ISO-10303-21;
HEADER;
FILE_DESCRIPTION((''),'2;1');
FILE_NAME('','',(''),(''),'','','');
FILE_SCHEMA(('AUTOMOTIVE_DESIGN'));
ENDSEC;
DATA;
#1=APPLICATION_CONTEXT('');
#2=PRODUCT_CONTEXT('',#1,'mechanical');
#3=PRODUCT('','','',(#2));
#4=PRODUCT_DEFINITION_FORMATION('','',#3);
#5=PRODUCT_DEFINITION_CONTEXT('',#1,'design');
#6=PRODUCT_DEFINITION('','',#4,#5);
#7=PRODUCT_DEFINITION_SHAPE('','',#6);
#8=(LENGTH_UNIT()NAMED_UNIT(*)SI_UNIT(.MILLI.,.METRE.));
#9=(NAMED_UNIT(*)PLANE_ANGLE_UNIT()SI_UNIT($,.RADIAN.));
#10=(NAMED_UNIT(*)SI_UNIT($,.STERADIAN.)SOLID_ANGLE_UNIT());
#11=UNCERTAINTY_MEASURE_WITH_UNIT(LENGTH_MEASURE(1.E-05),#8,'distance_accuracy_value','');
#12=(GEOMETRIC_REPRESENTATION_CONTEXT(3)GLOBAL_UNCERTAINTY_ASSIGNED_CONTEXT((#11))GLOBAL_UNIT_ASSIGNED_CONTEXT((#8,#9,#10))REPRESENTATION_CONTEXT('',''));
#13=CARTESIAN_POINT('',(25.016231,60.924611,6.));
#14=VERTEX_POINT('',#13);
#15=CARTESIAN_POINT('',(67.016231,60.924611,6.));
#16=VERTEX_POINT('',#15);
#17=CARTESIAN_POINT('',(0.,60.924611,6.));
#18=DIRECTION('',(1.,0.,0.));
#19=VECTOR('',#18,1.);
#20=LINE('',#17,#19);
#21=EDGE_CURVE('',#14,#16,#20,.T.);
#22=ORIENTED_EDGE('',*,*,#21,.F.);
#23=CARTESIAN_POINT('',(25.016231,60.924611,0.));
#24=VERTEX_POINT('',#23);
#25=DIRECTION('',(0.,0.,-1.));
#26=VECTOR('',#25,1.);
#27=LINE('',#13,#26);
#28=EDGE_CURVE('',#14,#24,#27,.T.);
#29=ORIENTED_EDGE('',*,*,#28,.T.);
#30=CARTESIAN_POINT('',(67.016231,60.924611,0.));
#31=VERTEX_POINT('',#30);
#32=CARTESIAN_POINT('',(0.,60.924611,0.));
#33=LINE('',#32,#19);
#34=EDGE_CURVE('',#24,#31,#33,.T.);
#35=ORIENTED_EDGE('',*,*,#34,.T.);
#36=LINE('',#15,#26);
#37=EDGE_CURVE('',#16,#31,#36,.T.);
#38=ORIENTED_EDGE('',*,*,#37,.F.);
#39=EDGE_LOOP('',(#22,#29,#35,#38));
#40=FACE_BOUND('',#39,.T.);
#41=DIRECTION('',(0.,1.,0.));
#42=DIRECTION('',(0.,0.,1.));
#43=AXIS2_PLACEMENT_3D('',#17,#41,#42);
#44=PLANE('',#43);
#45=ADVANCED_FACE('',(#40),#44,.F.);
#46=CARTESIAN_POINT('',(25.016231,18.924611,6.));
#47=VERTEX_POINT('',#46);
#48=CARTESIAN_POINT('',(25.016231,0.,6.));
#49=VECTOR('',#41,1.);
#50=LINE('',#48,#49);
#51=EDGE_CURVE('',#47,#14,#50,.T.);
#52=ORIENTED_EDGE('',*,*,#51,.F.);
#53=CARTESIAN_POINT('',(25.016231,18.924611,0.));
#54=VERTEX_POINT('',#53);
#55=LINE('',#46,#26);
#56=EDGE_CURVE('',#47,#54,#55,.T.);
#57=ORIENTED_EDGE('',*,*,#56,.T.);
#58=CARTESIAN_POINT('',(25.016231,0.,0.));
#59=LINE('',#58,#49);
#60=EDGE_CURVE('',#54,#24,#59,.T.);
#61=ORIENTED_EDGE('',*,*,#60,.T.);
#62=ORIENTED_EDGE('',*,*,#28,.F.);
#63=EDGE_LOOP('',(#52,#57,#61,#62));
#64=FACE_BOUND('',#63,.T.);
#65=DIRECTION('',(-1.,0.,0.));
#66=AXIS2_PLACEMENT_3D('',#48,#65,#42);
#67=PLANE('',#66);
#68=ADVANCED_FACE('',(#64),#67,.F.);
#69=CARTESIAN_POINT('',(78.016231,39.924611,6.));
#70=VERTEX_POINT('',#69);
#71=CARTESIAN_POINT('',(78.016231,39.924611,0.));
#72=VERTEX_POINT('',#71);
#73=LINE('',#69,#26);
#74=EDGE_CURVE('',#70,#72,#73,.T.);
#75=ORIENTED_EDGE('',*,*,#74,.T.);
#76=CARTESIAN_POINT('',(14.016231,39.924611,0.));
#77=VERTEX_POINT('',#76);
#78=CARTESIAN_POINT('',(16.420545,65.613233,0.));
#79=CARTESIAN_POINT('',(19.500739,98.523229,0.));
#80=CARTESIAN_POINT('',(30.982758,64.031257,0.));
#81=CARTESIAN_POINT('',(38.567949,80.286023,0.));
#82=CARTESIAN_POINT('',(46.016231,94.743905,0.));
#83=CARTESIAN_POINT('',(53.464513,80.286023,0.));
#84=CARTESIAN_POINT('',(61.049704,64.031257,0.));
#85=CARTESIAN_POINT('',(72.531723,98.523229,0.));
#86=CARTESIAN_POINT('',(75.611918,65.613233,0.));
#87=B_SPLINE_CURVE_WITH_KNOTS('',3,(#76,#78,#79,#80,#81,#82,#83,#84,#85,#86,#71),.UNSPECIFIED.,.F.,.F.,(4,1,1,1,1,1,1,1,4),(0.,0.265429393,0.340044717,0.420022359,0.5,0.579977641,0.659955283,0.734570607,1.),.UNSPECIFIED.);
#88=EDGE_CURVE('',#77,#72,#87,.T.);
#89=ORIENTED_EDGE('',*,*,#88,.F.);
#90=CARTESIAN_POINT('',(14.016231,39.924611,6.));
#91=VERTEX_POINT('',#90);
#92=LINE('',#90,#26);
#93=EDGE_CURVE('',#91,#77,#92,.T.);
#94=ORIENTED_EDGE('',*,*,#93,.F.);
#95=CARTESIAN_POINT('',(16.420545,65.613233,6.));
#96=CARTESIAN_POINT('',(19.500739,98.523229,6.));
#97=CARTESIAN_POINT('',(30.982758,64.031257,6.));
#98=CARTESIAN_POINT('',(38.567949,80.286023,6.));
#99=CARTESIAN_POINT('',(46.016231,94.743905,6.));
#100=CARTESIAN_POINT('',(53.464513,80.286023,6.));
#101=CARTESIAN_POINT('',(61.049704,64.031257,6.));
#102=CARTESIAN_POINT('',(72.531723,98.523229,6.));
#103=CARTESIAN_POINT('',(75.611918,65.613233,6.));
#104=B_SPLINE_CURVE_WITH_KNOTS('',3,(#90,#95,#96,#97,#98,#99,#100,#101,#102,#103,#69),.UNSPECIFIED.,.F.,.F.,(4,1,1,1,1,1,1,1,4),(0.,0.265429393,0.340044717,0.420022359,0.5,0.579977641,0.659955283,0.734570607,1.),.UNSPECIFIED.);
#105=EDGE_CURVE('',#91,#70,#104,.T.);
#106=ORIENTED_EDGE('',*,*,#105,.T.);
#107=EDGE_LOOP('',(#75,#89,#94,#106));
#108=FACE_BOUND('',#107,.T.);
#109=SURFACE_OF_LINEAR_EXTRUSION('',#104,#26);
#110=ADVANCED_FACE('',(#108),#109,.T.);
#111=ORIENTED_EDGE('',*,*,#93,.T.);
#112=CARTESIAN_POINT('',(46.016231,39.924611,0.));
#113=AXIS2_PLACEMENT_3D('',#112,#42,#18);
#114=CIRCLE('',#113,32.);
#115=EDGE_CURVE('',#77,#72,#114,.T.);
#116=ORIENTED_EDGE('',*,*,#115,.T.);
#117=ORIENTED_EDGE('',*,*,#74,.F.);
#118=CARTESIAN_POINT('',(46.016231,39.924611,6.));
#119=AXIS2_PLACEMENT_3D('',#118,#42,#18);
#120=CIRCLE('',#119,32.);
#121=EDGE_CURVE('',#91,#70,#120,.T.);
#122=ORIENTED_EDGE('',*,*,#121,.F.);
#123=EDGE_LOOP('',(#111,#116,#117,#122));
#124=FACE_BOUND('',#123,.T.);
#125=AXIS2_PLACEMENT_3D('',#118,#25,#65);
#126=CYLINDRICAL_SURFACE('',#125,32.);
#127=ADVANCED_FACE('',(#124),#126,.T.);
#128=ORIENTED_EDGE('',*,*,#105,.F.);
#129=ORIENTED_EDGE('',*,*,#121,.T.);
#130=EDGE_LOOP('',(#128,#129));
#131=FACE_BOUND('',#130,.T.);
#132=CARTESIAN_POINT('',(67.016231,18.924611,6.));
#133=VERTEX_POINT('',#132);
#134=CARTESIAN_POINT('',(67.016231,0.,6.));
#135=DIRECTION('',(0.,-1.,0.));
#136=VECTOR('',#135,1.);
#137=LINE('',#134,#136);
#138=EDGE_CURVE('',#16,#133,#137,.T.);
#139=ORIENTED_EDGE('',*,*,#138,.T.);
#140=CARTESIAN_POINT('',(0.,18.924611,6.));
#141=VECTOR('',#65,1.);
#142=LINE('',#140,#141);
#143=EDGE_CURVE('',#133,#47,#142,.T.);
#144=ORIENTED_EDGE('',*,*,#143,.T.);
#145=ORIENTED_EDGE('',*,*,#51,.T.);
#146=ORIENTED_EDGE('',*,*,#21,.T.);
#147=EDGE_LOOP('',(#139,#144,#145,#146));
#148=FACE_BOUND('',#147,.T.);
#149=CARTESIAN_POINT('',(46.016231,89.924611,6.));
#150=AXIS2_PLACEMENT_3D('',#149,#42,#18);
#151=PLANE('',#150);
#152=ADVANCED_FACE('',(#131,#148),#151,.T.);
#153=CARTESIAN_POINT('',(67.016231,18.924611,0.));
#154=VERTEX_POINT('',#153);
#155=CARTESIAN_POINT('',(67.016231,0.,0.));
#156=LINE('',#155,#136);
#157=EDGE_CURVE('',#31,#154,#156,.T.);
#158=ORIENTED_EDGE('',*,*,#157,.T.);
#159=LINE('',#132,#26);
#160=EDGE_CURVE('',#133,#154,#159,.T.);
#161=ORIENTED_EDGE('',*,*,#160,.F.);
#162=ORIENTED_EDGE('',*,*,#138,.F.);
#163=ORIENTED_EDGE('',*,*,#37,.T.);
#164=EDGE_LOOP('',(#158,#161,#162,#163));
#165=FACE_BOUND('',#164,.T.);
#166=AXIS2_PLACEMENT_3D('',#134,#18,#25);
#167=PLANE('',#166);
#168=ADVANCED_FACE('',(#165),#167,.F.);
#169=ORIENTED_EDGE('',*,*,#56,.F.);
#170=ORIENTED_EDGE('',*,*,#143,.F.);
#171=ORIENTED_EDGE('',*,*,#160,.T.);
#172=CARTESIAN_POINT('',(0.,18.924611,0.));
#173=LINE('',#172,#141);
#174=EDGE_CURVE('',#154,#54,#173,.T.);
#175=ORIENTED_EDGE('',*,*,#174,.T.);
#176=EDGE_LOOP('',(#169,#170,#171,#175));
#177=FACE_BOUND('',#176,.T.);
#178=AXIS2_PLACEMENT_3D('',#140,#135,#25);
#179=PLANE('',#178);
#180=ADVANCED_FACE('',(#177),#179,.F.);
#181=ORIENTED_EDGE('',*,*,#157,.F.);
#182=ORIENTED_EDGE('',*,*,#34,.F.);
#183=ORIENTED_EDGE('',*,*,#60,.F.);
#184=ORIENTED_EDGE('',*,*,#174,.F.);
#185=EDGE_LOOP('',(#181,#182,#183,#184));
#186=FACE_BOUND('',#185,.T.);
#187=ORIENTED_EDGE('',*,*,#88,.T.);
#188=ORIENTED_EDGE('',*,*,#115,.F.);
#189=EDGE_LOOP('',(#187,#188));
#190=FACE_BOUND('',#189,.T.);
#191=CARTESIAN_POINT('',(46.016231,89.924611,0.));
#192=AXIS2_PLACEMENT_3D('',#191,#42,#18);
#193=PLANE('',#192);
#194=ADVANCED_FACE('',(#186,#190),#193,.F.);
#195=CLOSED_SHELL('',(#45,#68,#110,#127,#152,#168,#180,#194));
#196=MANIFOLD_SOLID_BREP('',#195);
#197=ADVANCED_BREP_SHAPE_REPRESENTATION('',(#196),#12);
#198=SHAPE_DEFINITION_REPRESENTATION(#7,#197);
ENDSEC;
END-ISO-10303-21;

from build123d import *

# Parameters (mm, degrees)
MODEL_W             = 42
MODEL_H             = 42
BOSS_EXTRUDE1_DEPTH = 6


with BuildPart() as part:
    # Model → Boss-Extrude1 (new body)
    with BuildSketch(Plane.XY):
        with BuildLine():
            ThreePointArc((14.016231129, 39.924611058), (46.016231129, 7.924611058), (78.016231129, 39.924611058))
            add(Edge.make_bspline(
                [(14.016231129, 39.924611058), (16.420544727, 65.613232973), (19.500739159, 98.523228685), (30.98275806, 64.031256921), (38.567949025, 80.286022583), (46.016231129, 94.743905296), (53.464513232, 80.286022583), (61.049704197, 64.031256921), (72.531723098, 98.523228685), (75.611917531, 65.613232973), (78.016231129, 39.924611058)],
                knots=[0, 0, 0, 0, 0.265429393, 0.340044717, 0.420022359, 0.5, 0.579977641, 0.659955283, 0.734570607, 1, 1, 1, 1], degree=3))
        make_face()
        with Locations((46.016231129, 39.924611058)):
            Rectangle(MODEL_W, MODEL_H, mode=Mode.SUBTRACT)
    extrude(amount=BOSS_EXTRUDE1_DEPTH)


solid = part.part
